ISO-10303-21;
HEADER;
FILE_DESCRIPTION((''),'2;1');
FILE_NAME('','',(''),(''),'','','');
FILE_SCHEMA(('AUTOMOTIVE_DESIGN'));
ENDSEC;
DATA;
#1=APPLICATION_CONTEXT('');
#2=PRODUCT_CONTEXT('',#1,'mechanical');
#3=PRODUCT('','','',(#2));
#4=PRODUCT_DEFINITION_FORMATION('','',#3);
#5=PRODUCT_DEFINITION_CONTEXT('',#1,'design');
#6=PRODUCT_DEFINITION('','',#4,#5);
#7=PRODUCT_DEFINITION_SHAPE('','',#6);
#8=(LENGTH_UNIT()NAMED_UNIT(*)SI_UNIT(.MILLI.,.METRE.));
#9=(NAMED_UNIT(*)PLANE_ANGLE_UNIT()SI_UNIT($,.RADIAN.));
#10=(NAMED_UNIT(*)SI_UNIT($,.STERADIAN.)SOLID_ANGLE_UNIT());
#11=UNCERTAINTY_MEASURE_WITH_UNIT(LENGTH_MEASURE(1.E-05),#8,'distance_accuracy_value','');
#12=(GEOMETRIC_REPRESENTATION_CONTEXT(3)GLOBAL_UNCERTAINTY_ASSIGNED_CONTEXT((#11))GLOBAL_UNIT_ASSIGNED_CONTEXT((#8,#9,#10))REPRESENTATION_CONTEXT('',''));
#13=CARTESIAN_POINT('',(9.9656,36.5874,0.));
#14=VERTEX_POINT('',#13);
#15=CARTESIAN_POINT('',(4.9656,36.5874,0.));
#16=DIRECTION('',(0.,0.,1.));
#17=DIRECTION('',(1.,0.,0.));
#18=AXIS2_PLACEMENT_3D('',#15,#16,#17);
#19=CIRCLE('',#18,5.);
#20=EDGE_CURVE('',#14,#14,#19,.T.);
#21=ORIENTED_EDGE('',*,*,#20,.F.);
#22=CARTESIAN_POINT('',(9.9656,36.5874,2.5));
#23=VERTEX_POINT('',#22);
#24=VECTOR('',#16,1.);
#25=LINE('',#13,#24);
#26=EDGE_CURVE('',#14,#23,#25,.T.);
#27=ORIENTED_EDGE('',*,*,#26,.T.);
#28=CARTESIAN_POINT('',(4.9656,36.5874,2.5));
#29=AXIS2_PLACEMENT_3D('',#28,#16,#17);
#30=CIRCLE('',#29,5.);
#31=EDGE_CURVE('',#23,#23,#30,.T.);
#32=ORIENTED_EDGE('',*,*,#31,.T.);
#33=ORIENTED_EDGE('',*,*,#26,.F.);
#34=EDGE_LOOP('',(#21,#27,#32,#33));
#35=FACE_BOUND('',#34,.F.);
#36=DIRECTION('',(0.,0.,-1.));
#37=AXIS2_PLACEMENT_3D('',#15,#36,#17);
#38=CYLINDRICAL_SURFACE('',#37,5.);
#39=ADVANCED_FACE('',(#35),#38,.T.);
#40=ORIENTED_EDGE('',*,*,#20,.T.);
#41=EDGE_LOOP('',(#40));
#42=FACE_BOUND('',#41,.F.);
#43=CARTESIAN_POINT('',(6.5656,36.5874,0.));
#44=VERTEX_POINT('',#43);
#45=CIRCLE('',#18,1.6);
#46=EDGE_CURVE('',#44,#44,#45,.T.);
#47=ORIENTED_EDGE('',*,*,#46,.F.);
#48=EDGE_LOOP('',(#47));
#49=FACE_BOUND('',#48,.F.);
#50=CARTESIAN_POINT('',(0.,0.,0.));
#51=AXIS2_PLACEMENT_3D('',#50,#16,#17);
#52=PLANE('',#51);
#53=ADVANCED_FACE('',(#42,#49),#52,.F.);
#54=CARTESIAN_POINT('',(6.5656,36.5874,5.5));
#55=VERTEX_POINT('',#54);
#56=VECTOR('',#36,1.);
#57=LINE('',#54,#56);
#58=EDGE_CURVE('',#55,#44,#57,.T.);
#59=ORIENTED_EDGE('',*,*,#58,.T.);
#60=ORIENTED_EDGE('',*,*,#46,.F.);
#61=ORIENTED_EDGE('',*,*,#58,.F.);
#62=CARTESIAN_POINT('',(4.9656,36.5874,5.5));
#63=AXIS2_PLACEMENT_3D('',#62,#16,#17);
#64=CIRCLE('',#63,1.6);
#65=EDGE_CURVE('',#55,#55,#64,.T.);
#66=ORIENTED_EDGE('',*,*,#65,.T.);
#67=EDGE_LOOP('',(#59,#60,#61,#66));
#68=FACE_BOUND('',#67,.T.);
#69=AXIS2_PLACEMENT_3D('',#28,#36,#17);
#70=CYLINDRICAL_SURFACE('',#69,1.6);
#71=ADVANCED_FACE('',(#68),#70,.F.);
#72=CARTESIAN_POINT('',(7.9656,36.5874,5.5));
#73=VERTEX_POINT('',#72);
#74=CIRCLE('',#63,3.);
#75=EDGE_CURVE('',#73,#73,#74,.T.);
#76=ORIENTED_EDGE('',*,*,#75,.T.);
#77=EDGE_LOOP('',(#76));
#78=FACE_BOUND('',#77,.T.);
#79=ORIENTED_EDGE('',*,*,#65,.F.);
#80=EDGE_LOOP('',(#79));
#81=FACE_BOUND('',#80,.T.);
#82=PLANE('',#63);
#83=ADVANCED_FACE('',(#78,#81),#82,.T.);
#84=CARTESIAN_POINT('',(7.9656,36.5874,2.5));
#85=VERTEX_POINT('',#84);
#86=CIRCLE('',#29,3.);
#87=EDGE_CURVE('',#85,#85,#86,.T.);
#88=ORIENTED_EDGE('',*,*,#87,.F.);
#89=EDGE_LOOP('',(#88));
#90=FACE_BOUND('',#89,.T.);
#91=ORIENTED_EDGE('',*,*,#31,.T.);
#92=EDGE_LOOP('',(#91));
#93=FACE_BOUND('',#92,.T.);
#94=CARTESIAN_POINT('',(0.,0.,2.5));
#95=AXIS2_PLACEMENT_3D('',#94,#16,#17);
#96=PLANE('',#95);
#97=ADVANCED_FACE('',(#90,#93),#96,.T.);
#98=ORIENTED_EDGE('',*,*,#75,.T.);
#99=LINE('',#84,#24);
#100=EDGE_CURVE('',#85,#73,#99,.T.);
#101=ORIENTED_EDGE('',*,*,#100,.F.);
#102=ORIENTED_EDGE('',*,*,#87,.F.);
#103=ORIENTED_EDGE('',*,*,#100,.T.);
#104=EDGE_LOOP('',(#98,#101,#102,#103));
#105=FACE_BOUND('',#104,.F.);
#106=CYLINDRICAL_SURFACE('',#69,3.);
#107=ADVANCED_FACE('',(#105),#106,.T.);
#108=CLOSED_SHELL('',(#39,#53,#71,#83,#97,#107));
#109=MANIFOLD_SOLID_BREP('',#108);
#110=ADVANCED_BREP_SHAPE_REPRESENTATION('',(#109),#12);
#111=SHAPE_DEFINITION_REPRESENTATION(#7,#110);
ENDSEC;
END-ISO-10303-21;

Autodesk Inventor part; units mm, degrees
ref_plane "YZ Plane" through (0, 0, 0) normal (1, 0, 0) x (0, 1, 0)
sketch "スケッチ1" plane through (0, 0, 0) normal (0, 0, 1) x (1, 0, 0)
  circle A0 centre (4.9656, 36.5874) radius 1.3 projected
  circle A1 centre (4.9656, 36.5874) radius 5
  circle A2 centre (4.9656, 36.5874) radius 3
  circle A3 centre (4.9656, 36.5874) radius 1.6
  point P0 (0, 0)
  dimension "d0" = 10
  dimension "d1" = 6
  dimension "d2" = 3.2
ref_plane "作業平面1" through (-16.355, -22.2242, 2.5) normal (0, 0, -1) x (-0.6765, 0.7365, 0)
extrude "押し出し1" add sketch "スケッチ1" along normal up to surface (2.5 mm away) contours A1 | A2
sketch "スケッチ2" plane through (4.9656, 36.5874, 2.5) normal (0, 0, 1) x (1, 0, 0)
  circle A0 centre (0, 0) radius 1.6 projected
  circle A1 centre (0, 0) radius 1.6
  circle A2 centre (0, 0) radius 3
  point P0 (-4.9656, -36.5874)
  dimension "d5" = 3.2
  dimension "d6" = 6
ref_plane "作業平面2" through (-16.355, -22.2242, 5.5) normal (0, 0, 1) x (0.7365, 0.6765, 0)
extrude "押し出し2" add sketch "スケッチ2" along normal up to surface (3 mm away)
properties part number "suberase" material "ABS プラスチック"
